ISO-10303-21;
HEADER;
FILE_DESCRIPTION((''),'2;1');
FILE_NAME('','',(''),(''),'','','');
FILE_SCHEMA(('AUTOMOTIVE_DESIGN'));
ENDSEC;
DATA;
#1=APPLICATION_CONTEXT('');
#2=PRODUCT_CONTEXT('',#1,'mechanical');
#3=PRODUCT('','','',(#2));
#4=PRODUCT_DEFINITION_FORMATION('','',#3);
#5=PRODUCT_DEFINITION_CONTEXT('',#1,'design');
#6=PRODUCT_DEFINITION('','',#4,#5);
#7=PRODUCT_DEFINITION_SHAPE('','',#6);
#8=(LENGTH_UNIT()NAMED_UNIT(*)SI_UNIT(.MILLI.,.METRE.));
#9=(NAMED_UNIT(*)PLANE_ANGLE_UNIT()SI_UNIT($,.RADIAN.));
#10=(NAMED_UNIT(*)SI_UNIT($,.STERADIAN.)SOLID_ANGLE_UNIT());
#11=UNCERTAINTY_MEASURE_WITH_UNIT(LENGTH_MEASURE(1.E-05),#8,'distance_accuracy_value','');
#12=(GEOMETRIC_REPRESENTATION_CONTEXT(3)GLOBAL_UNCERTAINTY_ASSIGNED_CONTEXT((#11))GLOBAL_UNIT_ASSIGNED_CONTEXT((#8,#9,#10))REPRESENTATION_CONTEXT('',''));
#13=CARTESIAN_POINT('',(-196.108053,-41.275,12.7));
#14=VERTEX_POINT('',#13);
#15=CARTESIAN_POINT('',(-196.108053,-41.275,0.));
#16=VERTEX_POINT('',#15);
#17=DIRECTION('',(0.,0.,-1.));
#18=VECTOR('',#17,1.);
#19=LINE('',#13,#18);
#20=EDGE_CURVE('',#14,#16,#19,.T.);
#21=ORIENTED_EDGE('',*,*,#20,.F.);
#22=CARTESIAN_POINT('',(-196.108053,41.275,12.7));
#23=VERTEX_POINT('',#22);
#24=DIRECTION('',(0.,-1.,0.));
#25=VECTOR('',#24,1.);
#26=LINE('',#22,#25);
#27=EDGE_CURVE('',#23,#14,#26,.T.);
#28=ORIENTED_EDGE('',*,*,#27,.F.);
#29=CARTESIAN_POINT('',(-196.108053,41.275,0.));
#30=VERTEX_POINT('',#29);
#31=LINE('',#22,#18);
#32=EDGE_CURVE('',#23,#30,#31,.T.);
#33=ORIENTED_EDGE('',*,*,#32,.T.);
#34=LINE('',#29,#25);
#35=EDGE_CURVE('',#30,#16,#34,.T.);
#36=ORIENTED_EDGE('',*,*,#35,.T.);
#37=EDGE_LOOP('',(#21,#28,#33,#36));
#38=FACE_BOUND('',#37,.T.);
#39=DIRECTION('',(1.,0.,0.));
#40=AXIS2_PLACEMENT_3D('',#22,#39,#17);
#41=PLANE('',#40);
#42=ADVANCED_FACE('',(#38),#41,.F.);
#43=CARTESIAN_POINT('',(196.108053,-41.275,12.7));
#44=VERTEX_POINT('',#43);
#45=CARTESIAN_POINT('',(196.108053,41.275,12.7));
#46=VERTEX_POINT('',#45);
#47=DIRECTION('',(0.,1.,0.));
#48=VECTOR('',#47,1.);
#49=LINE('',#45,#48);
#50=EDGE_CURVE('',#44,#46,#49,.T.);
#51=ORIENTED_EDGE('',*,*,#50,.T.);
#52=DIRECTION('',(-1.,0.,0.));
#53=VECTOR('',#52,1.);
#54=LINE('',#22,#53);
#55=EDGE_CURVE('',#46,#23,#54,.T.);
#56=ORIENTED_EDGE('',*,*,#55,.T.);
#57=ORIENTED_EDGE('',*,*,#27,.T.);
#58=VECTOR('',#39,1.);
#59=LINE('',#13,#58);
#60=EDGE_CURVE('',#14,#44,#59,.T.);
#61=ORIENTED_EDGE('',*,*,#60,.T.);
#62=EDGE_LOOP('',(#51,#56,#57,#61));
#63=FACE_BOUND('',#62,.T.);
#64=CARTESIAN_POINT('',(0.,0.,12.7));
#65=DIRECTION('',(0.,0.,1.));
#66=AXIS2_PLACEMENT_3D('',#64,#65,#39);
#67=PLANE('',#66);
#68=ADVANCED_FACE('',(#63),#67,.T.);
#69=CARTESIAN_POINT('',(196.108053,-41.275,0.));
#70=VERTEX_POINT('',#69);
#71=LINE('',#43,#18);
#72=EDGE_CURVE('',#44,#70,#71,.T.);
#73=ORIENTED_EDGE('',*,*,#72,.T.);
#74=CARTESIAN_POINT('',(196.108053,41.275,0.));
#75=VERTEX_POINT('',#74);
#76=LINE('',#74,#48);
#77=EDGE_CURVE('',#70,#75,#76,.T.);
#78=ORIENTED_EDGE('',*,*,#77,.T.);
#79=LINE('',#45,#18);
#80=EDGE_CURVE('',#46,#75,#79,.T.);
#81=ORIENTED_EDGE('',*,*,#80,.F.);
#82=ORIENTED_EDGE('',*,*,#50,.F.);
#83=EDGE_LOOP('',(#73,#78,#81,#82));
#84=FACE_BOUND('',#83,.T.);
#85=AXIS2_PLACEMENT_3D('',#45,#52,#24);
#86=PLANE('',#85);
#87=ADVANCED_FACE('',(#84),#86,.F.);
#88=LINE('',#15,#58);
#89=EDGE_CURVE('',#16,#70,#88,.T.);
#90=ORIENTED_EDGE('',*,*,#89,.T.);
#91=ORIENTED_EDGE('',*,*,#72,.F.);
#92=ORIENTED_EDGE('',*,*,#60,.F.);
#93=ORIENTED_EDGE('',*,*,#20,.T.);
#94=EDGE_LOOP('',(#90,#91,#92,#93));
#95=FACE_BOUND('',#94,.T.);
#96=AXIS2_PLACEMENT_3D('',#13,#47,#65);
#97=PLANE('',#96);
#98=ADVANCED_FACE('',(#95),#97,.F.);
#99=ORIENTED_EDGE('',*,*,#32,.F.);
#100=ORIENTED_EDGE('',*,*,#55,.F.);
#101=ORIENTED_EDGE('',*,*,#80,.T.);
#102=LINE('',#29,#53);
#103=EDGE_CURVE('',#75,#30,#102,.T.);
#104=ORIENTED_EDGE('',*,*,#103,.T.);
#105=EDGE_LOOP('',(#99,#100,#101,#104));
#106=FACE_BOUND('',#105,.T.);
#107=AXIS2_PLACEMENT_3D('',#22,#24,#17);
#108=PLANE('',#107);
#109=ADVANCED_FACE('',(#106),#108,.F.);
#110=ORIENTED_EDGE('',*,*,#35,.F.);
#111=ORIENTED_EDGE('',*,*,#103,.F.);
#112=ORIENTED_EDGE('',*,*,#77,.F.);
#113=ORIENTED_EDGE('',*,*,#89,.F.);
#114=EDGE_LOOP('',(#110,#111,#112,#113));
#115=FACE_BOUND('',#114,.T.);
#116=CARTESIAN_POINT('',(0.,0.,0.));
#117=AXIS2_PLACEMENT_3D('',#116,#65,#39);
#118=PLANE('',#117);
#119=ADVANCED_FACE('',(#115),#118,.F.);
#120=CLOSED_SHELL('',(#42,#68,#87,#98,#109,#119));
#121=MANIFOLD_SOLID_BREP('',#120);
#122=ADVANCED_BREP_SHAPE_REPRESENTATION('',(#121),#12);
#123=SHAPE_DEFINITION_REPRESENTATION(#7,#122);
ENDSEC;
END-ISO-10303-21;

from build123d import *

# Parameters (mm, degrees)
ESQUISSE1_W        = 392.2161066
ESQUISSE1_H        = 82.55
BOSS_EXTRU_1_DEPTH = 12.7


with BuildPart() as part:
    # Esquisse1 → Boss.-Extru.1 (new body)
    with BuildSketch(Plane.XY):
        Rectangle(ESQUISSE1_W, ESQUISSE1_H)
    extrude(amount=BOSS_EXTRU_1_DEPTH)


solid = part.part
